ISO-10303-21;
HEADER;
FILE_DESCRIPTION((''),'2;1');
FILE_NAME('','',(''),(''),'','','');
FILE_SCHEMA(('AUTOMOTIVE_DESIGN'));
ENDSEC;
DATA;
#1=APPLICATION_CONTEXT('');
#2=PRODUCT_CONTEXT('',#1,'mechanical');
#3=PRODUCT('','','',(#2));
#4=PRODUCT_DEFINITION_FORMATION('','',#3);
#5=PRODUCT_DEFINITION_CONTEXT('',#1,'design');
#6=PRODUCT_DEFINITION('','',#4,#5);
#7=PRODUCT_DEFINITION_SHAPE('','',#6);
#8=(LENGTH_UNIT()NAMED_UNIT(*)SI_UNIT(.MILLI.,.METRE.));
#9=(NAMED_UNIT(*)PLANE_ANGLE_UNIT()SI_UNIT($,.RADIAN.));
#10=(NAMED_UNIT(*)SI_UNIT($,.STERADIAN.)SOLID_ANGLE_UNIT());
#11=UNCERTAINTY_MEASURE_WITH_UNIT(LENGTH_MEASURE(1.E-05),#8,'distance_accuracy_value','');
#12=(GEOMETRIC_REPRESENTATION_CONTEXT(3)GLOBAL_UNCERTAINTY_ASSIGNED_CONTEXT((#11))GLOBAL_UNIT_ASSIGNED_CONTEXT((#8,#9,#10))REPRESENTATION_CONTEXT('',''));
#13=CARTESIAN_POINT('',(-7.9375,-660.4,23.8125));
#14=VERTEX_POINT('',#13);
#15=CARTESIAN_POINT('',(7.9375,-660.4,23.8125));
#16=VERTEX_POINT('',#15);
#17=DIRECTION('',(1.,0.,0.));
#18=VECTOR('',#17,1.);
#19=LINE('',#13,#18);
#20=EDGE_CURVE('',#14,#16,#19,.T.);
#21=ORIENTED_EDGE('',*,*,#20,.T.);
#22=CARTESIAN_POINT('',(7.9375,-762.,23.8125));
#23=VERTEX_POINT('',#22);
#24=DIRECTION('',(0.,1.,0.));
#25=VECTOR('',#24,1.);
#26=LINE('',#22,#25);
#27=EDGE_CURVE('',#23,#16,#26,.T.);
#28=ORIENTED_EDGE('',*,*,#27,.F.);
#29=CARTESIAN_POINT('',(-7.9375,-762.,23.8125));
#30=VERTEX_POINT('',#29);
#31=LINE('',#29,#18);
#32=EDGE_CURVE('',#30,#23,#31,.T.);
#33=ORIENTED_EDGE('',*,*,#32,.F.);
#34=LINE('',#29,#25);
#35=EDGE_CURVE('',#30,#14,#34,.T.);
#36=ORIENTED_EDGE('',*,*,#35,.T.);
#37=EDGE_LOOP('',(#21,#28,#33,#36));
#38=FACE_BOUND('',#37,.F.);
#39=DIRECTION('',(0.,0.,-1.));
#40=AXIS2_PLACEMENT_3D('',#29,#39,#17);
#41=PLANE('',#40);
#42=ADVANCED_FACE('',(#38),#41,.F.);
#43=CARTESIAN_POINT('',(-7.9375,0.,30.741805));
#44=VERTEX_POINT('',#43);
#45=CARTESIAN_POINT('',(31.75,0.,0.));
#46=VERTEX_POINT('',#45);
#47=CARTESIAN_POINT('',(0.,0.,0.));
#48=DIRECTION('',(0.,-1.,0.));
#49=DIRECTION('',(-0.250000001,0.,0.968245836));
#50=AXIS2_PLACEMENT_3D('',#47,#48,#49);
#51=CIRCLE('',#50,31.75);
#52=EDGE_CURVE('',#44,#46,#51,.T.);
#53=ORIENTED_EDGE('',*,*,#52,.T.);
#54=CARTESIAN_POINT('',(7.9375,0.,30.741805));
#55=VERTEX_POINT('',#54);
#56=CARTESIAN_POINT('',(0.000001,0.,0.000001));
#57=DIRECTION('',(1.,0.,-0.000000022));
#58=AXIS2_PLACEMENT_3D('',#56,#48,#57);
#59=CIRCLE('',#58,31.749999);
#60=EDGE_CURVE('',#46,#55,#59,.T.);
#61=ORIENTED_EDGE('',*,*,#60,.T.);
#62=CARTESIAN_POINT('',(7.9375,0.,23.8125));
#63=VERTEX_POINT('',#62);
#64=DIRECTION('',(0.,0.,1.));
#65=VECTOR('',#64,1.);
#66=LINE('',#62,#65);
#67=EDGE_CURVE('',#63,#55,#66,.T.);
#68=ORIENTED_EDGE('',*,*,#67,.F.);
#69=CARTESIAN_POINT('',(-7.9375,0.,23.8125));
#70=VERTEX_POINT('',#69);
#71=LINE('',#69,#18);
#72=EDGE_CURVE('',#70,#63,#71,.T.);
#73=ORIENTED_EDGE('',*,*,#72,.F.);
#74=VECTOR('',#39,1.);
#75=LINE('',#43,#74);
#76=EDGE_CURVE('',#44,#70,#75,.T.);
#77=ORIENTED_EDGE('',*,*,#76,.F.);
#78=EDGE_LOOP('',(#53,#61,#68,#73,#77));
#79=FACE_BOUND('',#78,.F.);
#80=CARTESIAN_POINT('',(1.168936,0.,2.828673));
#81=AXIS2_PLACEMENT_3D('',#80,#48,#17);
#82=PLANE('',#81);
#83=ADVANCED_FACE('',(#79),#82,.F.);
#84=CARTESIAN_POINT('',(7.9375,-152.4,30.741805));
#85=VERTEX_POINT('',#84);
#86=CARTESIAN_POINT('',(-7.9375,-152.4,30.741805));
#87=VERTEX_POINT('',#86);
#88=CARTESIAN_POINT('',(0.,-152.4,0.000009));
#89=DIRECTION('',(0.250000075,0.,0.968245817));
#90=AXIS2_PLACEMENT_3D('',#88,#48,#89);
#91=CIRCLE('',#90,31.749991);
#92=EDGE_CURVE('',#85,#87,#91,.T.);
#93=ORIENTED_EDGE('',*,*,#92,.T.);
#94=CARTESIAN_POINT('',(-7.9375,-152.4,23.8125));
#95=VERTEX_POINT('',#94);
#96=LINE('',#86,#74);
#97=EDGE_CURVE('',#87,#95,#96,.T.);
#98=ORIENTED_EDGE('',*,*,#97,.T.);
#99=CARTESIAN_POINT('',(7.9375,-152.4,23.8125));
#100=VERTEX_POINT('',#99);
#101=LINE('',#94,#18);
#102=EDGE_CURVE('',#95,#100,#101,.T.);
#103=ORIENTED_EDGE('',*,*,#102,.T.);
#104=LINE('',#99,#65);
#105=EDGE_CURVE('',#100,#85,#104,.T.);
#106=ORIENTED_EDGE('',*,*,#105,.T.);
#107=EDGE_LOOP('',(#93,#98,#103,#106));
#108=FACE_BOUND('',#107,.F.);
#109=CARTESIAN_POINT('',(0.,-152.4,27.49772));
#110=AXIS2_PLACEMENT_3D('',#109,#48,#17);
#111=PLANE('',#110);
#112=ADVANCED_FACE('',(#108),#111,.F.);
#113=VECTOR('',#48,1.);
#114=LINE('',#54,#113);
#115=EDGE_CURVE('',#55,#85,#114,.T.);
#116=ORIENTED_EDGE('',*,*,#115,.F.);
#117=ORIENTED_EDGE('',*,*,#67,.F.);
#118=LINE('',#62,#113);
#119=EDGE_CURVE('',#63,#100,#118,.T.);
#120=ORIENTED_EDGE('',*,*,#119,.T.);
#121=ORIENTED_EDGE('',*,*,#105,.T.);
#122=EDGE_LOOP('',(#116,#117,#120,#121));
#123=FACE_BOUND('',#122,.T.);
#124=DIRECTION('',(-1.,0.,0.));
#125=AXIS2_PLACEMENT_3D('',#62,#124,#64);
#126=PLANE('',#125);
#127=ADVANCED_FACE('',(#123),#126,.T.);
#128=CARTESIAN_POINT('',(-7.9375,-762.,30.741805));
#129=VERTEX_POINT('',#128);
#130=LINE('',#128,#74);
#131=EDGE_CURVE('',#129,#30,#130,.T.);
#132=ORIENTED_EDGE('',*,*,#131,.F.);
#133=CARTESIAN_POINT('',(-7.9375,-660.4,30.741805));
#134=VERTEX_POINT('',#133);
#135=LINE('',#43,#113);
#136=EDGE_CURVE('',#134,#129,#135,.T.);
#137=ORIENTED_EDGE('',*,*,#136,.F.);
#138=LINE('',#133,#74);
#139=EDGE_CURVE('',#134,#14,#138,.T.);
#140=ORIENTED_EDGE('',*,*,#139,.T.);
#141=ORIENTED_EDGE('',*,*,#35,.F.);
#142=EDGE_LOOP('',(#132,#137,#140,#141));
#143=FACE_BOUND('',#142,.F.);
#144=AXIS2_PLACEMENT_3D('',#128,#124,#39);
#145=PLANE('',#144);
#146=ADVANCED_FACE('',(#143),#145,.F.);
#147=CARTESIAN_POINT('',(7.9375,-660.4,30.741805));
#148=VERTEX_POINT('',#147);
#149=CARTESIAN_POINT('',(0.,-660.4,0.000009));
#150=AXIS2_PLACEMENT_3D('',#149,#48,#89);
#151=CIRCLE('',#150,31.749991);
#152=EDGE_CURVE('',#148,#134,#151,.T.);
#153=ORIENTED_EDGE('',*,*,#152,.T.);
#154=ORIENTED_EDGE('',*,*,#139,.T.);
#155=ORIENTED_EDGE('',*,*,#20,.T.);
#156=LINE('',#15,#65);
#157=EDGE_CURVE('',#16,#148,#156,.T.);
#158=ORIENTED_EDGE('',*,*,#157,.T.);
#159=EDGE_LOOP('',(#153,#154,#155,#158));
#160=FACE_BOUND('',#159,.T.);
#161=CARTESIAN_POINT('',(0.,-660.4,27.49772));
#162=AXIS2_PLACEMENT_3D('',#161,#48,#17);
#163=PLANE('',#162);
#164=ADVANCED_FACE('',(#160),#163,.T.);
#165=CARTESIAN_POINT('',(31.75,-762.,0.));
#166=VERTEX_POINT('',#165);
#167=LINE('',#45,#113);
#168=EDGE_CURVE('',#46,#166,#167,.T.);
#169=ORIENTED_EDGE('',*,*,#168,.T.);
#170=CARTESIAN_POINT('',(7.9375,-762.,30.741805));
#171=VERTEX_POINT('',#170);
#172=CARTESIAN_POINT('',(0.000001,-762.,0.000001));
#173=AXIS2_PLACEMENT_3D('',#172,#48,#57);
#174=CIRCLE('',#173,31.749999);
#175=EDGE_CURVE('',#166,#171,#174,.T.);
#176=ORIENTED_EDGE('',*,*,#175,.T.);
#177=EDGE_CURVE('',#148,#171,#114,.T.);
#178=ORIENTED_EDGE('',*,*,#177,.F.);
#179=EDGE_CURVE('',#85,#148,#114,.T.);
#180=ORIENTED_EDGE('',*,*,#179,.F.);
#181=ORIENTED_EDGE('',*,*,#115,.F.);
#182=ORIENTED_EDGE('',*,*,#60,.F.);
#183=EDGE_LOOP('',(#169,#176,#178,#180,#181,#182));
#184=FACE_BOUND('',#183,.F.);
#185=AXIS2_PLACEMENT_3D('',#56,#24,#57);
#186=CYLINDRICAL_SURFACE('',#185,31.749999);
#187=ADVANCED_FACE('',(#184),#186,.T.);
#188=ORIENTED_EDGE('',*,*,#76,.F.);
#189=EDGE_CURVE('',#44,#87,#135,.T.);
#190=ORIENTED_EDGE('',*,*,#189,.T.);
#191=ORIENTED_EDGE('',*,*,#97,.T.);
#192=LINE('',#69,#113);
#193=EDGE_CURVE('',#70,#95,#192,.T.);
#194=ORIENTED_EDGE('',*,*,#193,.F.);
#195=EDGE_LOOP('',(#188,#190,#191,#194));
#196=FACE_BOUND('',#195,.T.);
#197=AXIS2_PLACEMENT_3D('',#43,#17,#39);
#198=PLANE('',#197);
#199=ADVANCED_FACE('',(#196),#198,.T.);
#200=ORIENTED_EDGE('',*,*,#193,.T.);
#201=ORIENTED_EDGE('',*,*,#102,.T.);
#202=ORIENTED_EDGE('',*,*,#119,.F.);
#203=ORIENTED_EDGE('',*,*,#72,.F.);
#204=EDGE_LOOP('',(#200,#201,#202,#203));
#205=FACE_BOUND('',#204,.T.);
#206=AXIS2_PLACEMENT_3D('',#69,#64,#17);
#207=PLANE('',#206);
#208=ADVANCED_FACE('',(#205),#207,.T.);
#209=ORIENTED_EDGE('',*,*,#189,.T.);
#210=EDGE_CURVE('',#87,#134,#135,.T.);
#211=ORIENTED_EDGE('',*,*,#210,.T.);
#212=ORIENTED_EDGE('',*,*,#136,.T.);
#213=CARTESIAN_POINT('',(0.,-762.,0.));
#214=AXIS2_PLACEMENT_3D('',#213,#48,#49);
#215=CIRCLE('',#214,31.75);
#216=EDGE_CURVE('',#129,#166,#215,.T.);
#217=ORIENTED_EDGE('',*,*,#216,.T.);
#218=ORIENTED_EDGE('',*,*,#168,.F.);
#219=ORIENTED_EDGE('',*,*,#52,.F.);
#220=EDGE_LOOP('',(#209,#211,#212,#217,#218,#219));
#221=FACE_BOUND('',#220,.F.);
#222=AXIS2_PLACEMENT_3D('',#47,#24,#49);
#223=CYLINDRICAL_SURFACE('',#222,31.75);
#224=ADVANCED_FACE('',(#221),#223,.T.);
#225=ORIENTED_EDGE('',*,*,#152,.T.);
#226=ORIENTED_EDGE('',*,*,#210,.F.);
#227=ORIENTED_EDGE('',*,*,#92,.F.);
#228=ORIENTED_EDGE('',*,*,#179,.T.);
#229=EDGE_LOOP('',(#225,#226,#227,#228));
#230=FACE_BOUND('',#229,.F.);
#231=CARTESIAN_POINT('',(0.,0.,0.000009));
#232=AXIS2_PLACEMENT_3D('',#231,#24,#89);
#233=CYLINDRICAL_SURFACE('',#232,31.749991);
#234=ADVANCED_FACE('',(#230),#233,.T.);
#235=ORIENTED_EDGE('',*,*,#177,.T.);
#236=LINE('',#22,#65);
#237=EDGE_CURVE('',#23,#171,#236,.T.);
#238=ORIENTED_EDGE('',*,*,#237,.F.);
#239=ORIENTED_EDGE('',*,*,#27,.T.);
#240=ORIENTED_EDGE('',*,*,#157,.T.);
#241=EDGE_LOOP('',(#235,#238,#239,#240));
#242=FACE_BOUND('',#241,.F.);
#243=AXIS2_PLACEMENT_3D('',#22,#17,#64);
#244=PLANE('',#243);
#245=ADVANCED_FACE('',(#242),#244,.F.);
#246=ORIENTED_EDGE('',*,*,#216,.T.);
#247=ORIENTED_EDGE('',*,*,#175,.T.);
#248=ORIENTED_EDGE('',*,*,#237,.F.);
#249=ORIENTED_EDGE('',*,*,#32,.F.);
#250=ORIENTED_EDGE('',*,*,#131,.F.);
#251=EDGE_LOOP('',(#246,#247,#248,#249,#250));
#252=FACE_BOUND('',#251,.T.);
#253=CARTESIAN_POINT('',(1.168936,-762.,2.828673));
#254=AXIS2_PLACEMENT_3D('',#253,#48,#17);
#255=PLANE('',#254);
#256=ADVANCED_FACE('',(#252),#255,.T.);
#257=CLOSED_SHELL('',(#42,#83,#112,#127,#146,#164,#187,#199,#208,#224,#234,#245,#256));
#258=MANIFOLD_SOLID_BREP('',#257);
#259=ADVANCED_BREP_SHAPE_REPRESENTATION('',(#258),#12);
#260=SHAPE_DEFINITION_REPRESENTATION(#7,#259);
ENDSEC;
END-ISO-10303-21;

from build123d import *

# Parameters (mm, degrees)
F1_DEPTH = 762
F2_DEPTH = 152.4
F4_DEPTH = 101.6


with BuildPart() as f1:
    # F0 (on Front) → F1 (new body)
    with BuildSketch(Plane.XZ):
        with BuildLine():
            ThreePointArc((-7.9375, 30.741805), (-19.442825, -25.100579), (31.75, 0))
            ThreePointArc((31.75, 0), (25.100579, 19.442825), (7.9375, 30.741805))
            Line((7.9375, 30.741805), (7.9375, 23.8125))
            Line((7.9375, 23.8125), (-7.9375, 23.8125))
            Line((-7.9375, 23.8125), (-7.9375, 30.741805))
        make_face()
        with BuildLine():
            Line((7.9375, 23.8125), (7.9375, 30.741805))
            ThreePointArc((7.9375, 30.741805), (0, 31.75), (-7.9375, 30.741805))
            Line((-7.9375, 30.741805), (-7.9375, 23.8125))
            Line((-7.9375, 23.8125), (7.9375, 23.8125))
        make_face()
    extrude(amount=F1_DEPTH)

    # F0 (on Front) → F2 (cut)
    with BuildSketch(Plane.XZ):
        with BuildLine():
            Line((7.9375, 23.8125), (7.9375, 30.741805))
            ThreePointArc((7.9375, 30.741805), (0, 31.75), (-7.9375, 30.741805))
            Line((-7.9375, 30.741805), (-7.9375, 23.8125))
            Line((-7.9375, 23.8125), (7.9375, 23.8125))
        make_face()
    extrude(amount=F2_DEPTH, mode=Mode.SUBTRACT)

    # F3 (on face) → F4 (cut)
    with BuildSketch(Plane.XZ.offset(762)):
        with BuildLine():
            Line((-7.9375, 23.8125), (7.9375, 23.8125))
            Line((7.9375, 23.8125), (7.9375, 30.741805))
            ThreePointArc((7.9375, 30.741805), (0, 31.75), (-7.9375, 30.741805))
            Line((-7.9375, 30.741805), (-7.9375, 23.8125))
        make_face()
    extrude(amount=-F4_DEPTH, mode=Mode.SUBTRACT)


solid = f1.part
